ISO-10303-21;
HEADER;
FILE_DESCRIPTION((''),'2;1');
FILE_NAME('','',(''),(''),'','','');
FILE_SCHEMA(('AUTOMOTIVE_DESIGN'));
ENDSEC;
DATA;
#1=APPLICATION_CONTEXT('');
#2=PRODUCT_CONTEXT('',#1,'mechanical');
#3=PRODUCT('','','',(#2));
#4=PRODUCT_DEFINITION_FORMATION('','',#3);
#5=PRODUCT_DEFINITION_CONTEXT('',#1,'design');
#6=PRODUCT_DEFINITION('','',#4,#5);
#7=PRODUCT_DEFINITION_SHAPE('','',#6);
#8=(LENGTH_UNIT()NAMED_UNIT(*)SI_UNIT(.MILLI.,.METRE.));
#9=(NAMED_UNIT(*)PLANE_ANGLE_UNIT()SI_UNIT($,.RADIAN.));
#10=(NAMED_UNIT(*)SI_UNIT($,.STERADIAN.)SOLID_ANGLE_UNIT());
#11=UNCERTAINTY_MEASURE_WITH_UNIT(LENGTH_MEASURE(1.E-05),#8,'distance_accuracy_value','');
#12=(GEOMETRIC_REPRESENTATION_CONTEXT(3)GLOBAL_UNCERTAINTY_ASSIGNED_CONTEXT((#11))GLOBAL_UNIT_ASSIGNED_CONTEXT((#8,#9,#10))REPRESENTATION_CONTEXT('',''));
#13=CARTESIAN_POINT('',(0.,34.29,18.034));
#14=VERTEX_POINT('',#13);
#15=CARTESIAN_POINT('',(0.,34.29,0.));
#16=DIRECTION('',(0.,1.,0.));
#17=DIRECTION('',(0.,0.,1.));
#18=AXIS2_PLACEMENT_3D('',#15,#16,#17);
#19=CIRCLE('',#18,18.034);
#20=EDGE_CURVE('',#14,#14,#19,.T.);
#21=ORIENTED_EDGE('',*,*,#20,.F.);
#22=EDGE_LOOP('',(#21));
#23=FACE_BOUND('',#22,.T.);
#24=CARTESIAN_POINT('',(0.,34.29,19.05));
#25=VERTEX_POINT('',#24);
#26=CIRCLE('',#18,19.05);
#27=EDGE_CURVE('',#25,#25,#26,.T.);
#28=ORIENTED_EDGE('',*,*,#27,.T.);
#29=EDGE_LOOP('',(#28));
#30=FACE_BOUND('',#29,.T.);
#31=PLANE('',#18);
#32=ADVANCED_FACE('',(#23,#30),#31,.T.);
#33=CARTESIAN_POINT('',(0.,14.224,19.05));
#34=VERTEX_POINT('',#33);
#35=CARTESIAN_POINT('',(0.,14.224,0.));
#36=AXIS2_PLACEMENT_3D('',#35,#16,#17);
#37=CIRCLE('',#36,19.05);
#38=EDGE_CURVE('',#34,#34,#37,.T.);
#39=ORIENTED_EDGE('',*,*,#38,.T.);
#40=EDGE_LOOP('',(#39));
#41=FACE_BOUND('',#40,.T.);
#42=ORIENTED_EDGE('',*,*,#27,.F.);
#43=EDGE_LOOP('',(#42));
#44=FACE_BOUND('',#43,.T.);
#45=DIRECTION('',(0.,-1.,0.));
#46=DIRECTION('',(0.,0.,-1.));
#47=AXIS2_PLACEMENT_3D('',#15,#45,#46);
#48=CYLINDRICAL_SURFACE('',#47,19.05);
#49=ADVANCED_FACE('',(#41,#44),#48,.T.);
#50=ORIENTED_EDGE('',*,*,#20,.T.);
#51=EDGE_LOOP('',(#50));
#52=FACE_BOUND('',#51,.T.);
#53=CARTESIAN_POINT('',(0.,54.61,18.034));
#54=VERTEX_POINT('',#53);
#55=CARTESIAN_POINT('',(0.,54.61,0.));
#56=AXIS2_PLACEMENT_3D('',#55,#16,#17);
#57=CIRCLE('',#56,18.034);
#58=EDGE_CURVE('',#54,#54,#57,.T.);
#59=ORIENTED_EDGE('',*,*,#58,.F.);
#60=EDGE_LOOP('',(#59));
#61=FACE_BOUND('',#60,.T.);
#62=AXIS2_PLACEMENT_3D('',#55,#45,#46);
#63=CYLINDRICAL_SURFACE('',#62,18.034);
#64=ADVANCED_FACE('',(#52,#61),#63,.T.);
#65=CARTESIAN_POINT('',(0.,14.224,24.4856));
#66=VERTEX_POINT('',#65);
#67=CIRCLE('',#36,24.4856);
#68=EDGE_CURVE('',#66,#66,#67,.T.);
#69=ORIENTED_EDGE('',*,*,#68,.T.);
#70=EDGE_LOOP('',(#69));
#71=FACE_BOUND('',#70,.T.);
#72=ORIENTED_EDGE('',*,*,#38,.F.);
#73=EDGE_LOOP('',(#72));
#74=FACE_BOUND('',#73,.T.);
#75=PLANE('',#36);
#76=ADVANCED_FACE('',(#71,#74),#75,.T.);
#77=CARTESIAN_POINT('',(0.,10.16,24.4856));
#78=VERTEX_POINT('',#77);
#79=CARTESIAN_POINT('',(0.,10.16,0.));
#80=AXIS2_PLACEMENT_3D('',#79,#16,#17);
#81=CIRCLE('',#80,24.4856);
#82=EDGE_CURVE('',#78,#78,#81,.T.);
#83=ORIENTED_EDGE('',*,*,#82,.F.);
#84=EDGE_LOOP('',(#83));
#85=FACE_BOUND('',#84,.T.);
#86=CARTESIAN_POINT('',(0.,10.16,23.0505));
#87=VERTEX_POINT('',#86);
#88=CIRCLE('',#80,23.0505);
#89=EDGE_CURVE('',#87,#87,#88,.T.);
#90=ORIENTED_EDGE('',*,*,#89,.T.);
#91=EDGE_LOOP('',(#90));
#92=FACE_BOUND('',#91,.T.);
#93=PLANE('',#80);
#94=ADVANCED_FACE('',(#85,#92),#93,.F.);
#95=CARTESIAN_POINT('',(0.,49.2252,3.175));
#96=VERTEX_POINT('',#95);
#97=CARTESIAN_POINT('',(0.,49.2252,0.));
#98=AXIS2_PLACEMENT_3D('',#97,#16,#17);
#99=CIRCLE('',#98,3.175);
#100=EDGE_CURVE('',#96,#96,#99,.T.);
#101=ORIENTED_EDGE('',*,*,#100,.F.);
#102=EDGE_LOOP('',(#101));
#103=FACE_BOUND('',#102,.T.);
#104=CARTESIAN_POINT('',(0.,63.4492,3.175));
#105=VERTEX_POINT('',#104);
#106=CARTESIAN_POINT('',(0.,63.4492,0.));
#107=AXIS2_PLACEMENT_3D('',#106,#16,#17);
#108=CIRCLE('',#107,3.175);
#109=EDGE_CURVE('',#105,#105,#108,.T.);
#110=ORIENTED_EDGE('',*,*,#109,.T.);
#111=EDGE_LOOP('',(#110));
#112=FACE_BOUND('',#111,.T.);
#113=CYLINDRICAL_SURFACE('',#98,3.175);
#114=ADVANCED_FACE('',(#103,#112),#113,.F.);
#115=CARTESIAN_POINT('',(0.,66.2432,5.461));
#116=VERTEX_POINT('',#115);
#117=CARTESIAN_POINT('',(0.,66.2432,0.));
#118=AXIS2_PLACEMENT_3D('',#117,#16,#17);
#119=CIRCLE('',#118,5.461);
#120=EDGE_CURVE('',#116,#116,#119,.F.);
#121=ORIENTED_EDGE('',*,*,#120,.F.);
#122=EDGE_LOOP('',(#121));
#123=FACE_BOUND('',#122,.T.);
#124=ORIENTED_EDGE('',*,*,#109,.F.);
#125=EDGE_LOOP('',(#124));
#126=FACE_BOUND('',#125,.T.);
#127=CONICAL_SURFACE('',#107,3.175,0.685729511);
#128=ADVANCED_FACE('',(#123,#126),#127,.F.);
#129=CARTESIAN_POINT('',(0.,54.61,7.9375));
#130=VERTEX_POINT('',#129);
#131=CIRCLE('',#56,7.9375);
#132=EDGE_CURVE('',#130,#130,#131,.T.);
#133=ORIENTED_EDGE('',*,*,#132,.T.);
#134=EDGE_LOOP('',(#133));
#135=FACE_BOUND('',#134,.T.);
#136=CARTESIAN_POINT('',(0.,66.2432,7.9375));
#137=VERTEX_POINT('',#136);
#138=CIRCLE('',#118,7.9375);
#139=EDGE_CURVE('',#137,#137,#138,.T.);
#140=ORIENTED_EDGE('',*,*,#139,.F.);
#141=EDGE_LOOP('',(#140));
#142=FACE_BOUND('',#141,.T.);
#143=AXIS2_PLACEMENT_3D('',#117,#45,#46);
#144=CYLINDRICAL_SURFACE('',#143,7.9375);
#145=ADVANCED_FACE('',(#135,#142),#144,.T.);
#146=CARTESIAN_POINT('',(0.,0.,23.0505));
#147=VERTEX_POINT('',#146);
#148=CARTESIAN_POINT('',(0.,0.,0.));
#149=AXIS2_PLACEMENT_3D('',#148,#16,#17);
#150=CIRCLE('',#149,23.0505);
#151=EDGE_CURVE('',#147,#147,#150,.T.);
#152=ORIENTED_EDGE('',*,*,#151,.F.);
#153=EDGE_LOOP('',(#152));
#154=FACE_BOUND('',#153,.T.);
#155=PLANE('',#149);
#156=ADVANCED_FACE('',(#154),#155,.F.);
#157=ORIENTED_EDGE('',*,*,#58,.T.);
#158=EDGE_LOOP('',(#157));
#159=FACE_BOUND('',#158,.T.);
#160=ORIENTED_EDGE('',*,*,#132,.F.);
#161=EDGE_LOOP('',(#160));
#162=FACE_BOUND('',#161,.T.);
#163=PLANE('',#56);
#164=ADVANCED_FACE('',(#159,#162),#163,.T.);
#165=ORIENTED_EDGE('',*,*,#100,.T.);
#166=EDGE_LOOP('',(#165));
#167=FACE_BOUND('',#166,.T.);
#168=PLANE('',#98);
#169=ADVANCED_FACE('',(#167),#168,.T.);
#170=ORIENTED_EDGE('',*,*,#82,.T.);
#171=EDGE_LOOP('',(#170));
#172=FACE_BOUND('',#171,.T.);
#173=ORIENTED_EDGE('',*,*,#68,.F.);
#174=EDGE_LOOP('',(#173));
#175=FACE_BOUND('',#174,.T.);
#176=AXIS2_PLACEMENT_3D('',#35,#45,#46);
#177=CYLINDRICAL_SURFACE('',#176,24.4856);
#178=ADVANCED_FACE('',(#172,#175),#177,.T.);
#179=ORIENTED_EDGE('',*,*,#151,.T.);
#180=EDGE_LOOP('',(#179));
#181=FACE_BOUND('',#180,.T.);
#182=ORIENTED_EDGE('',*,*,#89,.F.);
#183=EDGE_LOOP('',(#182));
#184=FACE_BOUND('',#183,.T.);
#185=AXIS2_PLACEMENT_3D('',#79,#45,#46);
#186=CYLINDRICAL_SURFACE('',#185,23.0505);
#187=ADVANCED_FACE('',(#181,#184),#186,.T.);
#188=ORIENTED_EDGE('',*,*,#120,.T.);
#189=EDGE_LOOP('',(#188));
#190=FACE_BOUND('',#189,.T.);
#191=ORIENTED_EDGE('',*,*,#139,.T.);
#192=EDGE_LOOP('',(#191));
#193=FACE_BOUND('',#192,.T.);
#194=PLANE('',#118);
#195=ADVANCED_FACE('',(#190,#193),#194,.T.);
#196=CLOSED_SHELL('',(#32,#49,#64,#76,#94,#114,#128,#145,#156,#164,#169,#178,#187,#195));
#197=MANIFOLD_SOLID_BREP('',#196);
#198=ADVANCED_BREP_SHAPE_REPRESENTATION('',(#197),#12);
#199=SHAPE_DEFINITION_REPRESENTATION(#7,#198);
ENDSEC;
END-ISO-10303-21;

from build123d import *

# Parameters (mm, degrees)
SKETCH1_R           = 23.0505
BOSS_EXTRUDE1_DEPTH = 10.16
SKETCH2_R           = 24.4856
BOSS_EXTRUDE2_DEPTH = 4.064
SKETCH3_R           = 19.05
BOSS_EXTRUDE3_DEPTH = 20.066
SKETCH4_R           = 18.034
BOSS_EXTRUDE4_DEPTH = 20.32
SKETCH5_R           = 7.9375
BOSS_EXTRUDE5_DEPTH = 11.6332
SKETCH7_R           = 3.175
CUT_EXTRUDE1_DEPTH  = 17.018
CHAMFER1_SIZE       = 2.286
CHAMFER1_SIZE2      = 2.794


with BuildPart() as part:
    # Sketch1 → Boss-Extrude1 (new body)
    with BuildSketch(Plane(origin=(0, 0, 0), x_dir=(1, 0, 0), z_dir=(0, 1, 0))):
        Circle(SKETCH1_R)
    extrude(amount=BOSS_EXTRUDE1_DEPTH)

    # Sketch2 → Boss-Extrude2 (add)
    with BuildSketch(Plane(origin=(0, 10.16, 0), x_dir=(1, 0, 0), z_dir=(0, 1, 0))):
        Circle(SKETCH2_R)
    extrude(amount=BOSS_EXTRUDE2_DEPTH)

    # Sketch3 → Boss-Extrude3 (add)
    with BuildSketch(Plane(origin=(0, 14.224, 0), x_dir=(1, 0, 0), z_dir=(0, 1, 0))):
        Circle(SKETCH3_R)
    extrude(amount=BOSS_EXTRUDE3_DEPTH)

    # Sketch4 → Boss-Extrude4 (add)
    with BuildSketch(Plane(origin=(0, 34.29, 0), x_dir=(1, 0, 0), z_dir=(0, 1, 0))):
        Circle(SKETCH4_R)
    extrude(amount=BOSS_EXTRUDE4_DEPTH)

    # Sketch5 → Boss-Extrude5 (add)
    with BuildSketch(Plane(origin=(0, 54.61, 0), x_dir=(1, 0, 0), z_dir=(0, 1, 0))):
        Circle(SKETCH5_R)
    extrude(amount=BOSS_EXTRUDE5_DEPTH)

    # Sketch7 → Cut-Extrude1 (cut)
    with BuildSketch(Plane(origin=(0, 66.2432, 0), x_dir=(1, 0, 0), z_dir=(0, 1, 0))):
        Circle(SKETCH7_R)
    extrude(amount=-CUT_EXTRUDE1_DEPTH, mode=Mode.SUBTRACT)

    # Chamfer1
    chamfer1_edges = [part.edges().sort_by_distance(p)[0] for p in [
        (-3.175, 66.2432, 0),
    ]]
    chamfer1_side = [part.faces().sort_by_distance(p)[0] for p in [
        (-7.712993597, 66.2432, 0),
    ]]
    chamfer(chamfer1_edges, length=CHAMFER1_SIZE, length2=CHAMFER1_SIZE2, reference=chamfer1_side[0])


solid = part.part
